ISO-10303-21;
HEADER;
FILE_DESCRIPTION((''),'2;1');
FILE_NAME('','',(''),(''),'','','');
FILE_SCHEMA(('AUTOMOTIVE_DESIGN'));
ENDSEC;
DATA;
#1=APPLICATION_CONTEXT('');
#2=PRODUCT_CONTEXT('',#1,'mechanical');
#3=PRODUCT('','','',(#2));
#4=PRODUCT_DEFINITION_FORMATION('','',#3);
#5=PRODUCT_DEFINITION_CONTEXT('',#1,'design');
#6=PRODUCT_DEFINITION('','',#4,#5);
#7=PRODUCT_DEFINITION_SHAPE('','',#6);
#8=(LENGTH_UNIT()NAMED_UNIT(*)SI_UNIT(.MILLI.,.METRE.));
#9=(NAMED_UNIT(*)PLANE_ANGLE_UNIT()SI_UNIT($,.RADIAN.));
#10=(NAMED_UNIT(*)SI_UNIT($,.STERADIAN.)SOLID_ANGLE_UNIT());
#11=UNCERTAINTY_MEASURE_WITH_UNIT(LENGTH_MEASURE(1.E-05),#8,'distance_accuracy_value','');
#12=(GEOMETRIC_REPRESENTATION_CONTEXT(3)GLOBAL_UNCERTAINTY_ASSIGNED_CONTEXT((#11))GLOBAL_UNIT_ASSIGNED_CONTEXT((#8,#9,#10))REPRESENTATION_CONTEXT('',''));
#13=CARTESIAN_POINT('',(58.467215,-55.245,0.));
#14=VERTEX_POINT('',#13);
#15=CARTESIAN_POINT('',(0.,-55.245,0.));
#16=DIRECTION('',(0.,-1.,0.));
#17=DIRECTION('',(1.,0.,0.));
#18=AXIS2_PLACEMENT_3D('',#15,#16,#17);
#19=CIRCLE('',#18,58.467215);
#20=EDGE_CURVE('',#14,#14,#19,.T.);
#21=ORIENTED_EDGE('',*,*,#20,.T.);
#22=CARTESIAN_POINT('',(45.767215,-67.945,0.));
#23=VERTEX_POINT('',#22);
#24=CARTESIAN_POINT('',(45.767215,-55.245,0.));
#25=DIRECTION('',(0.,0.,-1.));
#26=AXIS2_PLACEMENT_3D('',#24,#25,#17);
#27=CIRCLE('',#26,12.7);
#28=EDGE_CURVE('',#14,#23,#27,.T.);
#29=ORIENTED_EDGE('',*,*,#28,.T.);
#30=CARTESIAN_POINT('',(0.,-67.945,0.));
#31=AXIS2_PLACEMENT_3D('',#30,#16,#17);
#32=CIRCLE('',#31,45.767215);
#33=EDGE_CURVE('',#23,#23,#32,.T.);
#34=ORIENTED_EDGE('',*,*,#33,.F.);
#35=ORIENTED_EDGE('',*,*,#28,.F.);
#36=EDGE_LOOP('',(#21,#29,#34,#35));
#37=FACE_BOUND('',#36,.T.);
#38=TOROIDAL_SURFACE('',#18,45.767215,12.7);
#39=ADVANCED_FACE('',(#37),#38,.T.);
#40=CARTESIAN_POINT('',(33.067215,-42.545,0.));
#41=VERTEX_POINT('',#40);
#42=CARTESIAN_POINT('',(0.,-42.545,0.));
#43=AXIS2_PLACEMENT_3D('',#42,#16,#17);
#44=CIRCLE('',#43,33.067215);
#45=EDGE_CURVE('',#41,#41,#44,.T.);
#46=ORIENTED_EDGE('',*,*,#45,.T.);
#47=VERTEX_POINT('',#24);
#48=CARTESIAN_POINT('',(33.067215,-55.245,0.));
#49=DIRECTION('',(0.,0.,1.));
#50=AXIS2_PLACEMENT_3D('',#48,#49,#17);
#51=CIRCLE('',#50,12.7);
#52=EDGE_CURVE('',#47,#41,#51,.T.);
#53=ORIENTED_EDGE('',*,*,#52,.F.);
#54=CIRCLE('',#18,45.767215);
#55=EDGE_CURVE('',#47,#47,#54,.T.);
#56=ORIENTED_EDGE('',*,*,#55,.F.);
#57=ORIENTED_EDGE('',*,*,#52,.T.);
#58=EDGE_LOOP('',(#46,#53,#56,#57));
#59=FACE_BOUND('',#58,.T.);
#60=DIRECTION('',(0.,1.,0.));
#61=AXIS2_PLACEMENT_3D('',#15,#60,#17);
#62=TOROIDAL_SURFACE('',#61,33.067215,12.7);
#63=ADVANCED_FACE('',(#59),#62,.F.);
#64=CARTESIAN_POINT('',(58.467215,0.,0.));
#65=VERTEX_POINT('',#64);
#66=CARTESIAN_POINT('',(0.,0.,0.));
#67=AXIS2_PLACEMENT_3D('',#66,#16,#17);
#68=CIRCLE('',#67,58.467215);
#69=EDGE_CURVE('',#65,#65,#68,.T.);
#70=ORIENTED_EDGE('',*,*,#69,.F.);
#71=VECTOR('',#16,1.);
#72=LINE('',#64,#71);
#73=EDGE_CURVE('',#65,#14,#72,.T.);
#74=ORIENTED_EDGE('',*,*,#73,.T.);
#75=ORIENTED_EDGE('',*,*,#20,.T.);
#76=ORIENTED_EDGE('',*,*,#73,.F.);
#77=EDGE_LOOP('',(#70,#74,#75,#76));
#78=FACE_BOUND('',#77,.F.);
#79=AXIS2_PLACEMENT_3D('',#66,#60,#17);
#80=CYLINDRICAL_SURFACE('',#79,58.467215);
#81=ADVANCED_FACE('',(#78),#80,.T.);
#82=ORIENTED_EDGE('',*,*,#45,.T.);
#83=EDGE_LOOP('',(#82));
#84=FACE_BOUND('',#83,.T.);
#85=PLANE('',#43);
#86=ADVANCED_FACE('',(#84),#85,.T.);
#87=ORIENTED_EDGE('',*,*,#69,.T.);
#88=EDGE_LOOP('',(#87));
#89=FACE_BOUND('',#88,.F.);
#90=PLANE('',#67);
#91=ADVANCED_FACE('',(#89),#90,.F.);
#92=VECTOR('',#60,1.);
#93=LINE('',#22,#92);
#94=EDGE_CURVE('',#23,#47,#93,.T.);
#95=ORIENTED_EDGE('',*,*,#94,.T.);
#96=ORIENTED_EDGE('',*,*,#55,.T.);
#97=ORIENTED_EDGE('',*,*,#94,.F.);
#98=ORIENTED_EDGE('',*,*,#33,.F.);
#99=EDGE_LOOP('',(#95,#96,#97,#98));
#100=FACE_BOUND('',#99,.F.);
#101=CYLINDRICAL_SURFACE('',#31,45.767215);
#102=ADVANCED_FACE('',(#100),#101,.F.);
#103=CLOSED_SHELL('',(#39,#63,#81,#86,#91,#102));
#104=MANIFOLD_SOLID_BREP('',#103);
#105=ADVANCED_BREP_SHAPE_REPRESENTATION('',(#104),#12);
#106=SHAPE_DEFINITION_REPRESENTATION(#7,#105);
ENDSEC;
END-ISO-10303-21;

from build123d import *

# Parameters (mm, degrees)
F0_R     = 58.4672149413
F1_DEPTH = 67.945
F2_R     = 12.7
F3_R     = 45.7672149413
F3_R_2   = 18.3189453451
F4_DEPTH = 25.4
F5_R     = 12.7


with BuildPart() as f1:
    # F0 (on Front) → F1 (new body)
    with BuildSketch(Plane.XZ):
        Circle(F0_R)
    extrude(amount=F1_DEPTH)

    # F2
    f2_edges = [f1.edges().sort_by_distance(p)[0] for p in [
        (-58.467215, -67.945, 0),
    ]]
    fillet(f2_edges, radius=F2_R)

    # F3 (on face) → F4 (cut)
    with BuildSketch(Plane.XZ.offset(67.945)):
        Circle(F3_R)
        Circle(F3_R_2, mode=Mode.SUBTRACT)
        Circle(F3_R_2)
    extrude(amount=-F4_DEPTH, mode=Mode.SUBTRACT)

    # F5
    f5_edges = [f1.edges().sort_by_distance(p)[0] for p in [
        (-45.767215, -42.545, 0),
    ]]
    fillet(f5_edges, radius=F5_R)


solid = f1.part
